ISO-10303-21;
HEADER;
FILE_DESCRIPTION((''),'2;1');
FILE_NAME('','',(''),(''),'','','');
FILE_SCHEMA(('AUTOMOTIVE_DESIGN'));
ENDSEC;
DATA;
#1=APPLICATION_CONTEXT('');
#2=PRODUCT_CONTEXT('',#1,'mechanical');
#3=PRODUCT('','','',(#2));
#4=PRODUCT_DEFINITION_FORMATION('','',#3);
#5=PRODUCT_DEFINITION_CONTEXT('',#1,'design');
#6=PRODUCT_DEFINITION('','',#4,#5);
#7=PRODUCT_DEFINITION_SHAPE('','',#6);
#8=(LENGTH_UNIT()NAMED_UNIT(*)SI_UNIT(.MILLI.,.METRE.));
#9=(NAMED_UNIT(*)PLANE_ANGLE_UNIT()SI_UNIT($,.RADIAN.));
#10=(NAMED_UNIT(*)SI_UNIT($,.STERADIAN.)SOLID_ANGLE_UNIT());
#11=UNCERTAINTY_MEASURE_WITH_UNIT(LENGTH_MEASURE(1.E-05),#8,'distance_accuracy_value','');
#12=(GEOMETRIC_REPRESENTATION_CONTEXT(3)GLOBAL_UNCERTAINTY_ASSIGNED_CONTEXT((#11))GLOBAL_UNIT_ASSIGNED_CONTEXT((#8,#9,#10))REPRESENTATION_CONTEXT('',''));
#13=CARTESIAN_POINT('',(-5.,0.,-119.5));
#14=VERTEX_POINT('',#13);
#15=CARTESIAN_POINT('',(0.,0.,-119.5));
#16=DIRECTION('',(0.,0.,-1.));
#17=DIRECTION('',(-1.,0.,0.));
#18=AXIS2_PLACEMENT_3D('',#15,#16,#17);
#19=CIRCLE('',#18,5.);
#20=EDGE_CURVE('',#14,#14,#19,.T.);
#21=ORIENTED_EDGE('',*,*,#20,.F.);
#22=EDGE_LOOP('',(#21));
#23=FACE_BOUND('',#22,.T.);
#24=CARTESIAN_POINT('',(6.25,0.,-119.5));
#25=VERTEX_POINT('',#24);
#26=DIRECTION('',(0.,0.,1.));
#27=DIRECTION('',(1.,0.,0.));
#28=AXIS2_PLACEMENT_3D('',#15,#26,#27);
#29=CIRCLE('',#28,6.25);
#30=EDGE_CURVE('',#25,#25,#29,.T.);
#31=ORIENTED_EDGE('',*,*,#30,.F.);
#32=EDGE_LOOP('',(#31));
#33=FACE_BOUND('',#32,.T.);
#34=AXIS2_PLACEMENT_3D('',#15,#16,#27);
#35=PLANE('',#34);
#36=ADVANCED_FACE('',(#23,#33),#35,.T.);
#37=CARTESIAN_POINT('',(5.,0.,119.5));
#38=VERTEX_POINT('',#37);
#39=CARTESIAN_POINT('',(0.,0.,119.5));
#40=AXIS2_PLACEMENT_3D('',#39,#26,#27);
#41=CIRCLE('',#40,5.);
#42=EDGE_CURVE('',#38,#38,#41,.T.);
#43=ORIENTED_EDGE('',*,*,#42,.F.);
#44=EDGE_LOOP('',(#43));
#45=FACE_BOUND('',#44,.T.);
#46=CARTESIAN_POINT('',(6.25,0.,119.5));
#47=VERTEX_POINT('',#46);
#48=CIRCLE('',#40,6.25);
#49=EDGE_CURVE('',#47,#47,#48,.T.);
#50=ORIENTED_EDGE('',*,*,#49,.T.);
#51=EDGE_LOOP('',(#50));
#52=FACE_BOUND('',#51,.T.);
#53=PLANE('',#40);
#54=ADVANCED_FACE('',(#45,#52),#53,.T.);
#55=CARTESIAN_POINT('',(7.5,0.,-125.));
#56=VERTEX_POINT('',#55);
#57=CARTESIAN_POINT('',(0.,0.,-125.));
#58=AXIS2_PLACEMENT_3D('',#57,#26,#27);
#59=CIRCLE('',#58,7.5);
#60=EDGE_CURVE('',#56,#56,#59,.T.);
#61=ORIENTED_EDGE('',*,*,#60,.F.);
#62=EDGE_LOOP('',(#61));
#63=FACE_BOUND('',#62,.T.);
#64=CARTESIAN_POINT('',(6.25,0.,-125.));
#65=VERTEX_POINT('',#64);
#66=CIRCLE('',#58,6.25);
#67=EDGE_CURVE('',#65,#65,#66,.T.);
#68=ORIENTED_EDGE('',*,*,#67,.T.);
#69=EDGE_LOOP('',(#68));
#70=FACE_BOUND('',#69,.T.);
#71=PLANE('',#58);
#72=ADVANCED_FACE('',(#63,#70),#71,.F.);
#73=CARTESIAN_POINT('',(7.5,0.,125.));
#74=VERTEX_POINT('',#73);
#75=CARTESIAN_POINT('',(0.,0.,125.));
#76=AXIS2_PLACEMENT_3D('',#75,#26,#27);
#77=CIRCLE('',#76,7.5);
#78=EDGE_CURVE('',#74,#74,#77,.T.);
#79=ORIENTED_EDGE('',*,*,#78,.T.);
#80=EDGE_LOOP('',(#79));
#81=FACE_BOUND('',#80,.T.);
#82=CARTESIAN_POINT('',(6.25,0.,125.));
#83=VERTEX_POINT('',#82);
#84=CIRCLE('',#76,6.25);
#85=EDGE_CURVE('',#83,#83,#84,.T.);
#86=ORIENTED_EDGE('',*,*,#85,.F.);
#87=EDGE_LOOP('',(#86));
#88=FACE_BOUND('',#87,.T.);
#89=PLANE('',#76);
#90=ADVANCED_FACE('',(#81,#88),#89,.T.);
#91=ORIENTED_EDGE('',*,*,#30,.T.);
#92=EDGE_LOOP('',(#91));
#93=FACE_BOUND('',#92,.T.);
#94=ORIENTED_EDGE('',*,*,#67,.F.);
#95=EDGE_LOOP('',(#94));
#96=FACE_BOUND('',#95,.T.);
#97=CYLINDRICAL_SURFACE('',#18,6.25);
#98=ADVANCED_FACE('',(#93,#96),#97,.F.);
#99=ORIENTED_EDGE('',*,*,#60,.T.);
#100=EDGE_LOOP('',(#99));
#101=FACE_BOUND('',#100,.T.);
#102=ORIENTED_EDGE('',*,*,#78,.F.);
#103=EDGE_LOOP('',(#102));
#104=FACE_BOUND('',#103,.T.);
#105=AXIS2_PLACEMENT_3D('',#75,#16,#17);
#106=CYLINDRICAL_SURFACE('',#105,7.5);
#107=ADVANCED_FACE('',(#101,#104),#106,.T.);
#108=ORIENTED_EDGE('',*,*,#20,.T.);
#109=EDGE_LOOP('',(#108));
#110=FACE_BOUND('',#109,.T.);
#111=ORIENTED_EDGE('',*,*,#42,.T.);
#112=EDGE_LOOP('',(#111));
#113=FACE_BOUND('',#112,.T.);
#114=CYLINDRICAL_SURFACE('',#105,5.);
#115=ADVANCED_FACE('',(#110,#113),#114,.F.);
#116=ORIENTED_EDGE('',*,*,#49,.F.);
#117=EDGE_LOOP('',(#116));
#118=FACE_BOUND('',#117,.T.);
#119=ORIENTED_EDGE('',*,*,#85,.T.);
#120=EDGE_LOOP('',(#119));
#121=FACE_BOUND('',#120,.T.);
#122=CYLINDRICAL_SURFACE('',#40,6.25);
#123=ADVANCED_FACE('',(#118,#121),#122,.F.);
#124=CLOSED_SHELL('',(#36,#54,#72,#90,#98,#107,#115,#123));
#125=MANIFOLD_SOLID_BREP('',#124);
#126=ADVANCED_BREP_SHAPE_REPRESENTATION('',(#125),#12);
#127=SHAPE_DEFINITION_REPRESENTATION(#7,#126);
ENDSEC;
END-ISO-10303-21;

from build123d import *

# Parameters (mm, degrees)
SKETCH1_R           = 7.5
SKETCH1_R_2         = 5
BOSS_EXTRUDE1_DEPTH = 125
SKETCH2_R           = 6.25
CUT_EXTRUDE1_DEPTH  = 5.5


with BuildPart() as part:
    # Sketch1 → Boss-Extrude1 (new body, symmetric)
    with BuildSketch(Plane.XY):
        Circle(SKETCH1_R)
        Circle(SKETCH1_R_2, mode=Mode.SUBTRACT)
    extrude(amount=BOSS_EXTRUDE1_DEPTH, both=True)

    # Sketch2 → Cut-Extrude1 (cut)
    with BuildSketch(Plane.XY.offset(125)):
        Circle(SKETCH2_R)
    cut_extrude1 = extrude(amount=-CUT_EXTRUDE1_DEPTH, mode=Mode.SUBTRACT)

    # Mirror1: Cut-Extrude1 across plane
    add(cut_extrude1.mirror(Plane.XY), mode=Mode.SUBTRACT)


solid = part.part
